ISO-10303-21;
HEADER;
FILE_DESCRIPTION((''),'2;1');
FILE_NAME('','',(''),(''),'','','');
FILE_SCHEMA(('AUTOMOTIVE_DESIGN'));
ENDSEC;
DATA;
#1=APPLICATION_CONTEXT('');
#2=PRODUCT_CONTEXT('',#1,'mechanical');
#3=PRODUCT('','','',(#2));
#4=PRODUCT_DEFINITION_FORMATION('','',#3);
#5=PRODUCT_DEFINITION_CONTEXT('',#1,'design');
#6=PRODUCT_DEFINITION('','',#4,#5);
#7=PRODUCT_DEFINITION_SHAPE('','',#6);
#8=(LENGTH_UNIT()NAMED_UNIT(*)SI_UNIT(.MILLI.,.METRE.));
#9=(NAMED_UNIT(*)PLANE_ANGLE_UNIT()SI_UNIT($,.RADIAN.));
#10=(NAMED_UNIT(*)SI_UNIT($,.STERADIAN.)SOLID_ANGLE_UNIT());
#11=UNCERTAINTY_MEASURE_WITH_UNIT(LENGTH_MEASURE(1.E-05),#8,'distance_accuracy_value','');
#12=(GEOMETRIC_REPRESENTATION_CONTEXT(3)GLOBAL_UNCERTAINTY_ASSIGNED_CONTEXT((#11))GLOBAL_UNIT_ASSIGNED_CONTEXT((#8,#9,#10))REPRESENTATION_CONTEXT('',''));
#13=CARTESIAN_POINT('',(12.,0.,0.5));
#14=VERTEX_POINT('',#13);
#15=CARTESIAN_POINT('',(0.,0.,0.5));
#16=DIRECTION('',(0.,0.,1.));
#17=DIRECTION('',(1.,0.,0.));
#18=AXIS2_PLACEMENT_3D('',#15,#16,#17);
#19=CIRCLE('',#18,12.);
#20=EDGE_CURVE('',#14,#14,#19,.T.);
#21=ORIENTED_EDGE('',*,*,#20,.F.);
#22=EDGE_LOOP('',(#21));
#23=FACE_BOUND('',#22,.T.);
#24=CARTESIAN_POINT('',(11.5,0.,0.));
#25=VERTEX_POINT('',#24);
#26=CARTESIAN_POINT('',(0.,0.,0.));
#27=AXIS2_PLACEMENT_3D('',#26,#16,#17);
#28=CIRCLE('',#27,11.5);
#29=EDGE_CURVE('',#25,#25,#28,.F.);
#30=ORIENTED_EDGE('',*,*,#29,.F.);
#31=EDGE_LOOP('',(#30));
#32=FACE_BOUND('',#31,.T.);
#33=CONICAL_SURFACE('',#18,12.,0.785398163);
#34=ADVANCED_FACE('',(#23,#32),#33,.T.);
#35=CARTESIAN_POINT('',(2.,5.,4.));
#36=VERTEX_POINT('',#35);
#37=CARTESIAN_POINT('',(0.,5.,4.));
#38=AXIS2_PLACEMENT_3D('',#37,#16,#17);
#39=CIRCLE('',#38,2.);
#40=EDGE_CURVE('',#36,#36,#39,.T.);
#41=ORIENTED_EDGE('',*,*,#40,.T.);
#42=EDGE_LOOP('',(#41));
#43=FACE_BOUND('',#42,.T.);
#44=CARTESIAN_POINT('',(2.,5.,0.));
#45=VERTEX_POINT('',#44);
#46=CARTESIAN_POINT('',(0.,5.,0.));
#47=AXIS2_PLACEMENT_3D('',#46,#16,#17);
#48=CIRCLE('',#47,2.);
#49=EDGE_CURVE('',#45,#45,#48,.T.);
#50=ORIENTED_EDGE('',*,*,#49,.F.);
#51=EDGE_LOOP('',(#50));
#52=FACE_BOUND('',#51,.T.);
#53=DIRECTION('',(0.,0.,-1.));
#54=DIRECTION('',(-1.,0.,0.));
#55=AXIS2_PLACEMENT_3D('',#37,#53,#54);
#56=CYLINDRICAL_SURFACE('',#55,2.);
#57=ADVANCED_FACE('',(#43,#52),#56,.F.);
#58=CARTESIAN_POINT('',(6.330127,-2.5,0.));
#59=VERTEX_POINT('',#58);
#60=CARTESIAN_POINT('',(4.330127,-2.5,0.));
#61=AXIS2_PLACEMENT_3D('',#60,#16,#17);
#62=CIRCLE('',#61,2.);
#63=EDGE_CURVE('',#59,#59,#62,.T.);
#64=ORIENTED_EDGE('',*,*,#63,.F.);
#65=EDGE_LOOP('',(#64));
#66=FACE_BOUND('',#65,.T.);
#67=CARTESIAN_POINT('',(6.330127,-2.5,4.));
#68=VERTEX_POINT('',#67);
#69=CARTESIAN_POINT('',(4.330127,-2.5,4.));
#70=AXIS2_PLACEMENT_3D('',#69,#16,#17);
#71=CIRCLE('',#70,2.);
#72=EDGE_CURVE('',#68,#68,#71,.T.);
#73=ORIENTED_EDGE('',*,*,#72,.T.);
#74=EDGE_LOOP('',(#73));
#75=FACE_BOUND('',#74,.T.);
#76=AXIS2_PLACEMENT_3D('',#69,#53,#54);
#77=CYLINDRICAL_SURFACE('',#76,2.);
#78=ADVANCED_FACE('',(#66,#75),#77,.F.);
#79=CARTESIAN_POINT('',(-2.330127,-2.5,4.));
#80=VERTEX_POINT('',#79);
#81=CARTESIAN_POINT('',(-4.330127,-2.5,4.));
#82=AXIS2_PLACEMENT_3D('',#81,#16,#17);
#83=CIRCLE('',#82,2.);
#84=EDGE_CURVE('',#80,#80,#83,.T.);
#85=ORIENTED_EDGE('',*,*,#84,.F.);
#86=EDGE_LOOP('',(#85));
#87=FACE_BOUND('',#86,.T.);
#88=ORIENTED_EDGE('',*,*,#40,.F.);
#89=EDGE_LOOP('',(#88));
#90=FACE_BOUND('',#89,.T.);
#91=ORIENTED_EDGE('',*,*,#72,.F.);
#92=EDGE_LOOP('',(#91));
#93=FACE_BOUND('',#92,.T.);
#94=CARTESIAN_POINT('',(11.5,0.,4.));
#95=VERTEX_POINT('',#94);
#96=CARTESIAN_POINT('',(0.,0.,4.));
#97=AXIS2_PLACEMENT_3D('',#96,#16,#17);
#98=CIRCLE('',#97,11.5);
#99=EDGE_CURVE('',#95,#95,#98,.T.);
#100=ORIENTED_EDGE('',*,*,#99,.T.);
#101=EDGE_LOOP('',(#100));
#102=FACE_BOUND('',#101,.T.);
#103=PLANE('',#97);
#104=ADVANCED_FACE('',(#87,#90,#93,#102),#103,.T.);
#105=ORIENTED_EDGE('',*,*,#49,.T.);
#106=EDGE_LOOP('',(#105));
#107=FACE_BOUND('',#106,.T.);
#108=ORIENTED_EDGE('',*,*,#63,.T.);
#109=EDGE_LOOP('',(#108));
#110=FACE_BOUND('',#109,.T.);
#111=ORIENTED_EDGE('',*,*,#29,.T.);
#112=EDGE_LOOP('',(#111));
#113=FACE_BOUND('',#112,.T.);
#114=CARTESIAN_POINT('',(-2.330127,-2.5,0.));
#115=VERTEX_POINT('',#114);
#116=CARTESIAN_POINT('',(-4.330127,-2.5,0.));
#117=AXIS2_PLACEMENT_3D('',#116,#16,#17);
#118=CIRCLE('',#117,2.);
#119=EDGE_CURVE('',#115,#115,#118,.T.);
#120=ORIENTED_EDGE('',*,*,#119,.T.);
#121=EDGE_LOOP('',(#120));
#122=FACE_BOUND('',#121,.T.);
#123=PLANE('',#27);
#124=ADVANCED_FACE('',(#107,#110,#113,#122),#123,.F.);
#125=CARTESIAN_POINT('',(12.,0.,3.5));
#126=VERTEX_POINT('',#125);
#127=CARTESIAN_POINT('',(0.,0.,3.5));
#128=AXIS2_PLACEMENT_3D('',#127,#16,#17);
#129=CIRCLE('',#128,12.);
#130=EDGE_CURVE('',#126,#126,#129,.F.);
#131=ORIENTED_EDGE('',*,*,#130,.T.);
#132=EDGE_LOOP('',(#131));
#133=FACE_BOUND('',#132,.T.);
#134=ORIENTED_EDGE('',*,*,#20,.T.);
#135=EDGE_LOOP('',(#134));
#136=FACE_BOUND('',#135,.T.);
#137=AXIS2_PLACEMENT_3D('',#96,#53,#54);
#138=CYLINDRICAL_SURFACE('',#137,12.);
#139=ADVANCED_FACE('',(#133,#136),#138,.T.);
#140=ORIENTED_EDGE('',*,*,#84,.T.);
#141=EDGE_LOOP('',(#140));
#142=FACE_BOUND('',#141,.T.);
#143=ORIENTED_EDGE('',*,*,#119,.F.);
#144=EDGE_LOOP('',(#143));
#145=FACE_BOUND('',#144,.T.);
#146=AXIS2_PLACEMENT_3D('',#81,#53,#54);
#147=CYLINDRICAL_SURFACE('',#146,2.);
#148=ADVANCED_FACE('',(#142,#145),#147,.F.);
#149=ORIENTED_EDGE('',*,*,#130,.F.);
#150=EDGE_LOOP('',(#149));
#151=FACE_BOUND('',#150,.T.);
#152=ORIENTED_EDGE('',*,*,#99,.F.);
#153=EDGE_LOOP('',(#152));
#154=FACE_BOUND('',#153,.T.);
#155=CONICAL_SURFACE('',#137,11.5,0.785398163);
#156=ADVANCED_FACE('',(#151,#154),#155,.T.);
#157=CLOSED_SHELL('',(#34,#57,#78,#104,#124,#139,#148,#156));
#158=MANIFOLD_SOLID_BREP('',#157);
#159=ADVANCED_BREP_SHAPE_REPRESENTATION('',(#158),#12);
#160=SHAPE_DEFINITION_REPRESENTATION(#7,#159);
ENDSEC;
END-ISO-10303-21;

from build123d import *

# Parameters (mm, degrees)
SKETCH_1_R      = 12
SKETCH_1_R_2    = 2
EXTRUDE_1_DEPTH = 4
CHAMFER_1_SIZE  = 0.5


with BuildPart() as part:
    # 草图1 → 凸台-拉伸1 (new body)
    with BuildSketch(Plane.XY):
        Circle(SKETCH_1_R)
        with Locations((0, 5)):
            Circle(SKETCH_1_R_2, mode=Mode.SUBTRACT)
        with Locations((4.330127019, -2.5)):
            Circle(SKETCH_1_R_2, mode=Mode.SUBTRACT)
        with Locations((-4.330127019, -2.5)):
            Circle(SKETCH_1_R_2, mode=Mode.SUBTRACT)
    extrude(amount=EXTRUDE_1_DEPTH)

    # 倒角1
    chamfer_1_edges = [part.edges().sort_by_distance(p)[0] for p in [
        (-12, 0, 0),
        (-12, 0, 4),
    ]]
    chamfer(chamfer_1_edges, length=CHAMFER_1_SIZE)


solid = part.part
